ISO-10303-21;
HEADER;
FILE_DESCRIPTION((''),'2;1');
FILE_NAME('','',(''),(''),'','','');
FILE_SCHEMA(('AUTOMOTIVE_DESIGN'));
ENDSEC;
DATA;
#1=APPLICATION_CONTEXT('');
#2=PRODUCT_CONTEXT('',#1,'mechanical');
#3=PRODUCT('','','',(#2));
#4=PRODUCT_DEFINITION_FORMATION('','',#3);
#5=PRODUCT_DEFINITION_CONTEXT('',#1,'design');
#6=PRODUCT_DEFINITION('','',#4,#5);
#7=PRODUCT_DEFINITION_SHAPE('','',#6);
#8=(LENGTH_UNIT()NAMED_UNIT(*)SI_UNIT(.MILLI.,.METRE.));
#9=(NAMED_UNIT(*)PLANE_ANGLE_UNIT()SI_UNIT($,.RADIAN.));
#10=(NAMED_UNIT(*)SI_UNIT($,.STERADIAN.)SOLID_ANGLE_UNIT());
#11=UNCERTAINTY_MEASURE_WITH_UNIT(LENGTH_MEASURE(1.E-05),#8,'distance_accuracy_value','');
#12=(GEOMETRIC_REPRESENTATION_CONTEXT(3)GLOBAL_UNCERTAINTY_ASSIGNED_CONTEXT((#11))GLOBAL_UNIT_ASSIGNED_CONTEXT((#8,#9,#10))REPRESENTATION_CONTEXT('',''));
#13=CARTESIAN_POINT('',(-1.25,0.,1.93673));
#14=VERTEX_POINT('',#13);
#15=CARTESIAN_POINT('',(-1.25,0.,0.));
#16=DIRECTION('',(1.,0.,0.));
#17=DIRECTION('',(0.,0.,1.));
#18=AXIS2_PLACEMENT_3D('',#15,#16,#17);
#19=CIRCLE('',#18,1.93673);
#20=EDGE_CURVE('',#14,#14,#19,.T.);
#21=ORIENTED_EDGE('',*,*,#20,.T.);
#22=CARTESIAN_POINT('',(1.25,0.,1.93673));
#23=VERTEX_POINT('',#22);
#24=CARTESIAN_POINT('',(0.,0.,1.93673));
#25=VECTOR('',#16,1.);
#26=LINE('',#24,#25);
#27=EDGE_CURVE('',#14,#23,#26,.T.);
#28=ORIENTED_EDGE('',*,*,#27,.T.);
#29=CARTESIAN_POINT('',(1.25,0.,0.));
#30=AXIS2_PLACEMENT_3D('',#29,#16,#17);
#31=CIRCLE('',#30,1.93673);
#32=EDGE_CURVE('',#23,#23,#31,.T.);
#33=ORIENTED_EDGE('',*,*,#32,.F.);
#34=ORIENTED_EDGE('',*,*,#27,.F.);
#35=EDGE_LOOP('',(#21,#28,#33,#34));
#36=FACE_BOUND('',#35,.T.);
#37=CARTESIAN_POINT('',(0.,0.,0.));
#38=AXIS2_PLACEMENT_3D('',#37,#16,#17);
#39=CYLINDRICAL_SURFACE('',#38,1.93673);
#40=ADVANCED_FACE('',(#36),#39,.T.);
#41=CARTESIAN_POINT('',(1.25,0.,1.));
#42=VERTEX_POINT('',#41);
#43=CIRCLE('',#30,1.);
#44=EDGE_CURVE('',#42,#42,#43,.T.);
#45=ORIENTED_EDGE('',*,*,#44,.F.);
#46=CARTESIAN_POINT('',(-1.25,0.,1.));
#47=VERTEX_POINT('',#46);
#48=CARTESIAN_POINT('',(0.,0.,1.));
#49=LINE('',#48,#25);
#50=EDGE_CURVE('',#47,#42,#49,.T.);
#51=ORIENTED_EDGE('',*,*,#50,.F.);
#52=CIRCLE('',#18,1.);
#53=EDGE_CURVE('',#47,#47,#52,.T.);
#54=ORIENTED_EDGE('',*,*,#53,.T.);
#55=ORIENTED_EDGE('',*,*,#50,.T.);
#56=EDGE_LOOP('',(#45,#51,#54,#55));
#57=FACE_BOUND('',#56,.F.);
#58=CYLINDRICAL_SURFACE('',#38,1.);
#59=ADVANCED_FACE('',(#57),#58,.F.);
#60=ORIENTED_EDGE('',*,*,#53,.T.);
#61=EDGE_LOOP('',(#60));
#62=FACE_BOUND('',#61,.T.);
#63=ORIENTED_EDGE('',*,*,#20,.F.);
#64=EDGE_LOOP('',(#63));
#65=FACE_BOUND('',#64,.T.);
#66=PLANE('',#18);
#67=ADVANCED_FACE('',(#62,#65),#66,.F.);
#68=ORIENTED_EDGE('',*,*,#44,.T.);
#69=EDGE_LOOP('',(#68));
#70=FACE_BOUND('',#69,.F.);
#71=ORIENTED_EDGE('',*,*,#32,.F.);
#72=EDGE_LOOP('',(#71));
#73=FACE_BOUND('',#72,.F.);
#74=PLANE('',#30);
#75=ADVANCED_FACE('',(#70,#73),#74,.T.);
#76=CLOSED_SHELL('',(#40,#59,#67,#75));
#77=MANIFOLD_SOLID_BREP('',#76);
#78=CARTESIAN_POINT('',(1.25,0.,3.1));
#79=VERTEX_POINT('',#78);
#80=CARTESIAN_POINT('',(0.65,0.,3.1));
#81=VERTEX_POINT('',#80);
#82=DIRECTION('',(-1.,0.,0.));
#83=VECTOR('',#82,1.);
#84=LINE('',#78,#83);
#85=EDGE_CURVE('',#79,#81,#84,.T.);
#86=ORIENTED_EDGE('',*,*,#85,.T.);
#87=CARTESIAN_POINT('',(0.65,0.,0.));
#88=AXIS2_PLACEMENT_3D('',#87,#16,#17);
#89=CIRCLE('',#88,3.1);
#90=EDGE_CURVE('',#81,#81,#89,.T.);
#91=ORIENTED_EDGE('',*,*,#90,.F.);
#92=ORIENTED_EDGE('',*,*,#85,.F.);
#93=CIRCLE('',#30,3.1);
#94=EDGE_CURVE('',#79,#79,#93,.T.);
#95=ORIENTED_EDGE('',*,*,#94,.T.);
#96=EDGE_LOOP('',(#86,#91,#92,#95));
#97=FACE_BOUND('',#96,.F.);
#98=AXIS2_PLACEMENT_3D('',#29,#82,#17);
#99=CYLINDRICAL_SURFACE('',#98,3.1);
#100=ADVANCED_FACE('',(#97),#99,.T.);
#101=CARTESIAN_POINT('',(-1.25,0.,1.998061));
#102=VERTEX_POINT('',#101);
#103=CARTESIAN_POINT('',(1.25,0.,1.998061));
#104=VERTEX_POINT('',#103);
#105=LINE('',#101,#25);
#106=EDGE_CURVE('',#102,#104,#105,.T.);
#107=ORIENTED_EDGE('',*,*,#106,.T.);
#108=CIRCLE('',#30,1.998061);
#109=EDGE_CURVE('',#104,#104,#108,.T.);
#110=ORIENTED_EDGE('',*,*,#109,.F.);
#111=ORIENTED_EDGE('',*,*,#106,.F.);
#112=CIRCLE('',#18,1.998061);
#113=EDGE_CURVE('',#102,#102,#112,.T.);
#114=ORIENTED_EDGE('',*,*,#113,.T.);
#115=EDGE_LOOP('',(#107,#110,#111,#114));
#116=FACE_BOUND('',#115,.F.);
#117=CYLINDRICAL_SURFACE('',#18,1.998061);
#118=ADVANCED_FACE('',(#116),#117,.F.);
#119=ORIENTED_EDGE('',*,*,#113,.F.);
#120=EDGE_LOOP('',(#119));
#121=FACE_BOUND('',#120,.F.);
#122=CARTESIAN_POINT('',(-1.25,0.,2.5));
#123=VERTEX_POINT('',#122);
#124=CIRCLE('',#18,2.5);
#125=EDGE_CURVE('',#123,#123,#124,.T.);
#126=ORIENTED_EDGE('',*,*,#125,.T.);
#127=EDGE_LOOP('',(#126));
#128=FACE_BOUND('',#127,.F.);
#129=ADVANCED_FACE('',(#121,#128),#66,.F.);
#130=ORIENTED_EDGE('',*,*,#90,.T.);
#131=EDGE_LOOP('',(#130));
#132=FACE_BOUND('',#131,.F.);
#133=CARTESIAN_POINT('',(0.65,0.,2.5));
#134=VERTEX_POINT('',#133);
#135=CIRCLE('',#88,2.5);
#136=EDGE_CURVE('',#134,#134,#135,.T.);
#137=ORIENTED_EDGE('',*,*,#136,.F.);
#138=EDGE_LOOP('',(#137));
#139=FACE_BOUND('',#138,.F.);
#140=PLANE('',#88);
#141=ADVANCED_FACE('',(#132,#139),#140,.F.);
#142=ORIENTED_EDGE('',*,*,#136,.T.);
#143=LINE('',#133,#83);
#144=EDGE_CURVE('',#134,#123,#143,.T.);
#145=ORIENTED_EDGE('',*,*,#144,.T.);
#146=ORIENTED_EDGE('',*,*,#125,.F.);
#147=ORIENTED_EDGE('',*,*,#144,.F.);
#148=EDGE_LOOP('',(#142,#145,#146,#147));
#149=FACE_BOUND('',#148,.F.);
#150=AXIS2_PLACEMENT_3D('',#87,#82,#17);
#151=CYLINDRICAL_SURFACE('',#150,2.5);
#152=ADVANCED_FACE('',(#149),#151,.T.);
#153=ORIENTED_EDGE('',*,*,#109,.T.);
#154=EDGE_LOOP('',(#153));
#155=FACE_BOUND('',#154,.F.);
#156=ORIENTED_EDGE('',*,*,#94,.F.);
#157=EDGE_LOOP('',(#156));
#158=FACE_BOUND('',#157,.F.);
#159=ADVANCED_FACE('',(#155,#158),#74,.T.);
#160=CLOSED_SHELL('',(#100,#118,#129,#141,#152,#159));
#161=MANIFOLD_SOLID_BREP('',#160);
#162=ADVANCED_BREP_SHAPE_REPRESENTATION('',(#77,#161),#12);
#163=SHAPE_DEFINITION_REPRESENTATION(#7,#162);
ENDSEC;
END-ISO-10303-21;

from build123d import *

# Parameters (mm, degrees)
F0_W = 2.5
F0_H = 0.936731


with BuildPart() as f1:
    # F0 (on Front) → F1 (revolve)
    with BuildSketch(Plane.XZ):
        Polygon((0.65, 2.5), (-1.25, 2.5), (-1.25, 1.998061), (1.25, 1.998061), (1.25, 3.1), (0.65, 3.1), align=None)
    revolve(axis=Axis((0, 0, 0), (1, 0, 0)))


with BuildPart() as f2:
    # F0 (on Front) → F2 (revolve)
    with BuildSketch(Plane.XZ):
        with Locations((0, 1.468365)):
            Rectangle(F0_W, F0_H)
    revolve(axis=Axis((0, 0, 0), (1, 0, 0)))


solid = Compound([f1.part, f2.part])
